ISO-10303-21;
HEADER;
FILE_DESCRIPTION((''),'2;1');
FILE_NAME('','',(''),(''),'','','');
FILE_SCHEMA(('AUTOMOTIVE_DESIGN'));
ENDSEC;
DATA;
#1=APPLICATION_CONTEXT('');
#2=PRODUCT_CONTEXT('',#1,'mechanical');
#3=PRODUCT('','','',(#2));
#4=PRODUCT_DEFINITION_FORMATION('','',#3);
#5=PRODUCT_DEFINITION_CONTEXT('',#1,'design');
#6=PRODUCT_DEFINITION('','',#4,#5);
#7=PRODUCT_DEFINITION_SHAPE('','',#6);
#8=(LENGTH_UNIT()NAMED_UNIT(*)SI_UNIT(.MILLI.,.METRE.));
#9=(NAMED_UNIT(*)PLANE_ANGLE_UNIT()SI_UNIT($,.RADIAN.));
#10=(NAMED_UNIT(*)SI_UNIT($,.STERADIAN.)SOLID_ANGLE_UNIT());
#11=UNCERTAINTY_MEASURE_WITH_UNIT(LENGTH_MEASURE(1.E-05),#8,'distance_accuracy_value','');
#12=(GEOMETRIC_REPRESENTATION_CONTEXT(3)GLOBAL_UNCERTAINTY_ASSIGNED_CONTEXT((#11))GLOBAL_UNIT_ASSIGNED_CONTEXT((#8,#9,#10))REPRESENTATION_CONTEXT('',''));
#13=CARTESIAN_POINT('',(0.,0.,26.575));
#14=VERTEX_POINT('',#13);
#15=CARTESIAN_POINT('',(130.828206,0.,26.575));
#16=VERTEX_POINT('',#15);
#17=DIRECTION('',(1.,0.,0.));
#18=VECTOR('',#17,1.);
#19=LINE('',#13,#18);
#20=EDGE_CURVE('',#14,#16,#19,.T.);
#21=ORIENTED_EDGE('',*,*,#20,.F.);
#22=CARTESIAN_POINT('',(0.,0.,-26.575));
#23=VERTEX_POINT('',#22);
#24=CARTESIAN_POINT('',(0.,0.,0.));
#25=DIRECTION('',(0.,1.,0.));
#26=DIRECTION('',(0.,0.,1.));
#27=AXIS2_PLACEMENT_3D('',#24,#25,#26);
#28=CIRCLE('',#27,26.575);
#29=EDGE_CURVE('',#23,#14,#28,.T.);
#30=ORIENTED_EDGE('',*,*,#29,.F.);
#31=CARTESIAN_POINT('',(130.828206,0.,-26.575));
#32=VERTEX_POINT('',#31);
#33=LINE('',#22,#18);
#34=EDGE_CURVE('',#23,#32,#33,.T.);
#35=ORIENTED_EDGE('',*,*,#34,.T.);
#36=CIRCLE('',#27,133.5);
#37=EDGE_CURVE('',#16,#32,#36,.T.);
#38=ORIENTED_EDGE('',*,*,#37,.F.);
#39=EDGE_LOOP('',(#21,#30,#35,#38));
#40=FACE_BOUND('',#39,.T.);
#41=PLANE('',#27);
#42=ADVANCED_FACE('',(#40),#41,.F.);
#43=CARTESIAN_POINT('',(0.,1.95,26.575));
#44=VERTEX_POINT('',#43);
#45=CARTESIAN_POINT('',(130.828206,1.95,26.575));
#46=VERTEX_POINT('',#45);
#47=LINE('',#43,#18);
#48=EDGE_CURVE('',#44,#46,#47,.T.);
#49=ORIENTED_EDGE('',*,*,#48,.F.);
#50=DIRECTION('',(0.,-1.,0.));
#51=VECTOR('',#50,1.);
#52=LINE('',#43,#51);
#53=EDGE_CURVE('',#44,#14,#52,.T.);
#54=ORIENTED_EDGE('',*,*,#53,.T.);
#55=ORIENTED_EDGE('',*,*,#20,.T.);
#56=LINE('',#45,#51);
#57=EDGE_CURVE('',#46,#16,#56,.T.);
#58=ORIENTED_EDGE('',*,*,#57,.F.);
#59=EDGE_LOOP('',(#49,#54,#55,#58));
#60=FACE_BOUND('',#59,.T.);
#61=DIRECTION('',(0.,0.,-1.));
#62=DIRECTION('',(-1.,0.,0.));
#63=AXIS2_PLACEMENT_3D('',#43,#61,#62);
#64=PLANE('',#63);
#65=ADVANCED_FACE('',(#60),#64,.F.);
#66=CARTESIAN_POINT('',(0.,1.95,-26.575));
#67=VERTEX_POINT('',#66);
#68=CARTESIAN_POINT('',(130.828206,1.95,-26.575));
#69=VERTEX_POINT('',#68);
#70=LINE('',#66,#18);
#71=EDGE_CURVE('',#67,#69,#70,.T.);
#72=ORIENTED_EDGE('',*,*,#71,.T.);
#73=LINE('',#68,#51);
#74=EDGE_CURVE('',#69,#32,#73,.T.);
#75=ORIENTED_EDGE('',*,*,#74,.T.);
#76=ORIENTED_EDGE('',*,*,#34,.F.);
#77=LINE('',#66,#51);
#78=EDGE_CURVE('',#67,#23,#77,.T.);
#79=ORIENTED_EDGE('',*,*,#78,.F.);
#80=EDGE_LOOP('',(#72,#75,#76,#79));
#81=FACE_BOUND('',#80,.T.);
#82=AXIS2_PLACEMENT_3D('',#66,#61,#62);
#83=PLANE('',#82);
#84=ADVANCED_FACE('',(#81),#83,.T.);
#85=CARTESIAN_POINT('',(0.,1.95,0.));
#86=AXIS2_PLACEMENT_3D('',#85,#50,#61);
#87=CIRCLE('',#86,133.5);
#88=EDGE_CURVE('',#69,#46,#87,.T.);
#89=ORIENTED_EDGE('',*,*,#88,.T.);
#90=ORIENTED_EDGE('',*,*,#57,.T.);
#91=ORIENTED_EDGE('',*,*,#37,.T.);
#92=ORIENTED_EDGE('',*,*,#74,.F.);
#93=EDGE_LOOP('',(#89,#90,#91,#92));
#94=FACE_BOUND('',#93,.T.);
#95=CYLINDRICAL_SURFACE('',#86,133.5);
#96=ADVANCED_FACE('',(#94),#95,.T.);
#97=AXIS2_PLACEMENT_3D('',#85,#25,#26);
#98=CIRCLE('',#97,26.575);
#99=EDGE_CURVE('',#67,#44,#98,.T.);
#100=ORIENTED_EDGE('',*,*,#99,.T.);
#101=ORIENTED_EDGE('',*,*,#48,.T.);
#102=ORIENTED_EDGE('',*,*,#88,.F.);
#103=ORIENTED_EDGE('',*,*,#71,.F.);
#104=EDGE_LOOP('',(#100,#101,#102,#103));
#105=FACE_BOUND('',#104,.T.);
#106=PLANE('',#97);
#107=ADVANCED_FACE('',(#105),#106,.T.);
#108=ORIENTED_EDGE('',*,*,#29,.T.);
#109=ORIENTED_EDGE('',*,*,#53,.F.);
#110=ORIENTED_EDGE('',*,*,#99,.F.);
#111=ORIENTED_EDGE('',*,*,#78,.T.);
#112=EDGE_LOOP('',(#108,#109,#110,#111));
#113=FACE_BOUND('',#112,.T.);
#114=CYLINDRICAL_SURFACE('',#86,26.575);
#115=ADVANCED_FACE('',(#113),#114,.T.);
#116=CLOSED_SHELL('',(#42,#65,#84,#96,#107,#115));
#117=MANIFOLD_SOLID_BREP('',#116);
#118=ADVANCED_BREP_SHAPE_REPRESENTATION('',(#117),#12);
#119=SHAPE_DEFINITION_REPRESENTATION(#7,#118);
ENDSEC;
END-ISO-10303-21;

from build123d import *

# Parameters (mm, degrees)
BOSS_EXTRUDE1_DEPTH = 1.95


with BuildPart() as part:
    # Sketch1 → Boss-Extrude1 (new body)
    with BuildSketch(Plane(origin=(0, 0, 0), x_dir=(1, 0, 0), z_dir=(0, 1, 0))):
        with BuildLine():
            Line((0, -26.575), (130.828205579, -26.575))
            ThreePointArc((130.828205579, -26.575), (132.830371988, -13.354485299), (133.5, 0))
            ThreePointArc((133.5, 0), (132.830371988, 13.354485299), (130.828205579, 26.575))
            Line((130.828205579, 26.575), (0, 26.575))
            ThreePointArc((0, 26.575), (-26.575, 0), (0, -26.575))
        make_face()
    extrude(amount=BOSS_EXTRUDE1_DEPTH)


solid = part.part
